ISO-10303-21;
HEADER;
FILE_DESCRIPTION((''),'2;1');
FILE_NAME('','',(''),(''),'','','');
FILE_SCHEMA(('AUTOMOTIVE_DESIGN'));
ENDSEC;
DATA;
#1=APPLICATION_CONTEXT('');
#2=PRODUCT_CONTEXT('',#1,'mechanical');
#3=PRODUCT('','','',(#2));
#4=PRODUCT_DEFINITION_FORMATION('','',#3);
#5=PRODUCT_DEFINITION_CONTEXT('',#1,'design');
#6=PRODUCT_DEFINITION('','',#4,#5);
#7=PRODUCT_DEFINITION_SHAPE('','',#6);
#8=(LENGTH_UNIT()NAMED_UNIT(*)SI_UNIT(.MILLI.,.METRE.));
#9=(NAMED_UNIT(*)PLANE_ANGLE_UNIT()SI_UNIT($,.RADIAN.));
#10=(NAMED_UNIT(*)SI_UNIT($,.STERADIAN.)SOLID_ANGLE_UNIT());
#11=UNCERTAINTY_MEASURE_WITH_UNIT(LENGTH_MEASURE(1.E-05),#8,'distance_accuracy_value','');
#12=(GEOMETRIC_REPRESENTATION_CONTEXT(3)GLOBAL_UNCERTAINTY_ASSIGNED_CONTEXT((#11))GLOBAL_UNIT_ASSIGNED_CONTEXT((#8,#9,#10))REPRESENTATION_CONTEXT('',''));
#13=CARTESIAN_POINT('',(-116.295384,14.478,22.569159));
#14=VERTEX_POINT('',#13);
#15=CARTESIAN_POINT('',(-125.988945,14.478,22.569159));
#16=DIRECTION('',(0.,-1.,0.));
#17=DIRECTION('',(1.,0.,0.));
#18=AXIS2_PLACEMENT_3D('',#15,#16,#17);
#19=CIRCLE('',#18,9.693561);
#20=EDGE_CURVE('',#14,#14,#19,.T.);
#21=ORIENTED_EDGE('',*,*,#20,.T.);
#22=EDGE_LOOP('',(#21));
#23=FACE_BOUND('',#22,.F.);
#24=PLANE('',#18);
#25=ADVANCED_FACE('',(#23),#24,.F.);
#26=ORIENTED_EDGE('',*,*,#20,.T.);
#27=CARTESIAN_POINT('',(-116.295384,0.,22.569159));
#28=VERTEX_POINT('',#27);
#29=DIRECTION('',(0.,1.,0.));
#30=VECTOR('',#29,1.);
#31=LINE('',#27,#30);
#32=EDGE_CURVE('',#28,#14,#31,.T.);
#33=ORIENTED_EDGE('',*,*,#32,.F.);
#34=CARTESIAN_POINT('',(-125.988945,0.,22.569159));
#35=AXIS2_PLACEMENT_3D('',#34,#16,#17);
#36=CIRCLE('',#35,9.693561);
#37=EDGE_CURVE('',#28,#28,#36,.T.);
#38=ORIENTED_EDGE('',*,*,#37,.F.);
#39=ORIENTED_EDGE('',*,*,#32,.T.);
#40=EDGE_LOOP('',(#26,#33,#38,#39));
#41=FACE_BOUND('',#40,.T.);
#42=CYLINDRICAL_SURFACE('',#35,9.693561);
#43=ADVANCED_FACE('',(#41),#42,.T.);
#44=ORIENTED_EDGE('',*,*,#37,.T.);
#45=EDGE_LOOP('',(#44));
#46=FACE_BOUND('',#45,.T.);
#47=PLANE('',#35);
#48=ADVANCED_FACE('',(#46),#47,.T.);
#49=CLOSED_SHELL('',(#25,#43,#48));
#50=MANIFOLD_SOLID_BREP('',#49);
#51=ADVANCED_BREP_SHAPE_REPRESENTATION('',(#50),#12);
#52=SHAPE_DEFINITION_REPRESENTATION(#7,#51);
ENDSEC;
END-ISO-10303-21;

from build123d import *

# Parameters (mm, degrees)
F0_R      = 9.693561
F1_DEPTH  = 8.89
F1_FACE_R = 9.693561
F2_DEPTH  = 14.478


with BuildPart() as f1:
    # F0 (on Front) → F1 (new body)
    with BuildSketch(Plane.XZ):
        with Locations((-125.988945, 22.569159)):
            Circle(F0_R)
    extrude(amount=-F1_DEPTH)

    # F1_face (on face) → F2 (join)
    with BuildSketch(Plane(origin=(-125.988945, 0, 22.569159), x_dir=(1, 0, 0), z_dir=(0, -1, 0))):
        Circle(F1_FACE_R)
    extrude(amount=-F2_DEPTH)


solid = f1.part
